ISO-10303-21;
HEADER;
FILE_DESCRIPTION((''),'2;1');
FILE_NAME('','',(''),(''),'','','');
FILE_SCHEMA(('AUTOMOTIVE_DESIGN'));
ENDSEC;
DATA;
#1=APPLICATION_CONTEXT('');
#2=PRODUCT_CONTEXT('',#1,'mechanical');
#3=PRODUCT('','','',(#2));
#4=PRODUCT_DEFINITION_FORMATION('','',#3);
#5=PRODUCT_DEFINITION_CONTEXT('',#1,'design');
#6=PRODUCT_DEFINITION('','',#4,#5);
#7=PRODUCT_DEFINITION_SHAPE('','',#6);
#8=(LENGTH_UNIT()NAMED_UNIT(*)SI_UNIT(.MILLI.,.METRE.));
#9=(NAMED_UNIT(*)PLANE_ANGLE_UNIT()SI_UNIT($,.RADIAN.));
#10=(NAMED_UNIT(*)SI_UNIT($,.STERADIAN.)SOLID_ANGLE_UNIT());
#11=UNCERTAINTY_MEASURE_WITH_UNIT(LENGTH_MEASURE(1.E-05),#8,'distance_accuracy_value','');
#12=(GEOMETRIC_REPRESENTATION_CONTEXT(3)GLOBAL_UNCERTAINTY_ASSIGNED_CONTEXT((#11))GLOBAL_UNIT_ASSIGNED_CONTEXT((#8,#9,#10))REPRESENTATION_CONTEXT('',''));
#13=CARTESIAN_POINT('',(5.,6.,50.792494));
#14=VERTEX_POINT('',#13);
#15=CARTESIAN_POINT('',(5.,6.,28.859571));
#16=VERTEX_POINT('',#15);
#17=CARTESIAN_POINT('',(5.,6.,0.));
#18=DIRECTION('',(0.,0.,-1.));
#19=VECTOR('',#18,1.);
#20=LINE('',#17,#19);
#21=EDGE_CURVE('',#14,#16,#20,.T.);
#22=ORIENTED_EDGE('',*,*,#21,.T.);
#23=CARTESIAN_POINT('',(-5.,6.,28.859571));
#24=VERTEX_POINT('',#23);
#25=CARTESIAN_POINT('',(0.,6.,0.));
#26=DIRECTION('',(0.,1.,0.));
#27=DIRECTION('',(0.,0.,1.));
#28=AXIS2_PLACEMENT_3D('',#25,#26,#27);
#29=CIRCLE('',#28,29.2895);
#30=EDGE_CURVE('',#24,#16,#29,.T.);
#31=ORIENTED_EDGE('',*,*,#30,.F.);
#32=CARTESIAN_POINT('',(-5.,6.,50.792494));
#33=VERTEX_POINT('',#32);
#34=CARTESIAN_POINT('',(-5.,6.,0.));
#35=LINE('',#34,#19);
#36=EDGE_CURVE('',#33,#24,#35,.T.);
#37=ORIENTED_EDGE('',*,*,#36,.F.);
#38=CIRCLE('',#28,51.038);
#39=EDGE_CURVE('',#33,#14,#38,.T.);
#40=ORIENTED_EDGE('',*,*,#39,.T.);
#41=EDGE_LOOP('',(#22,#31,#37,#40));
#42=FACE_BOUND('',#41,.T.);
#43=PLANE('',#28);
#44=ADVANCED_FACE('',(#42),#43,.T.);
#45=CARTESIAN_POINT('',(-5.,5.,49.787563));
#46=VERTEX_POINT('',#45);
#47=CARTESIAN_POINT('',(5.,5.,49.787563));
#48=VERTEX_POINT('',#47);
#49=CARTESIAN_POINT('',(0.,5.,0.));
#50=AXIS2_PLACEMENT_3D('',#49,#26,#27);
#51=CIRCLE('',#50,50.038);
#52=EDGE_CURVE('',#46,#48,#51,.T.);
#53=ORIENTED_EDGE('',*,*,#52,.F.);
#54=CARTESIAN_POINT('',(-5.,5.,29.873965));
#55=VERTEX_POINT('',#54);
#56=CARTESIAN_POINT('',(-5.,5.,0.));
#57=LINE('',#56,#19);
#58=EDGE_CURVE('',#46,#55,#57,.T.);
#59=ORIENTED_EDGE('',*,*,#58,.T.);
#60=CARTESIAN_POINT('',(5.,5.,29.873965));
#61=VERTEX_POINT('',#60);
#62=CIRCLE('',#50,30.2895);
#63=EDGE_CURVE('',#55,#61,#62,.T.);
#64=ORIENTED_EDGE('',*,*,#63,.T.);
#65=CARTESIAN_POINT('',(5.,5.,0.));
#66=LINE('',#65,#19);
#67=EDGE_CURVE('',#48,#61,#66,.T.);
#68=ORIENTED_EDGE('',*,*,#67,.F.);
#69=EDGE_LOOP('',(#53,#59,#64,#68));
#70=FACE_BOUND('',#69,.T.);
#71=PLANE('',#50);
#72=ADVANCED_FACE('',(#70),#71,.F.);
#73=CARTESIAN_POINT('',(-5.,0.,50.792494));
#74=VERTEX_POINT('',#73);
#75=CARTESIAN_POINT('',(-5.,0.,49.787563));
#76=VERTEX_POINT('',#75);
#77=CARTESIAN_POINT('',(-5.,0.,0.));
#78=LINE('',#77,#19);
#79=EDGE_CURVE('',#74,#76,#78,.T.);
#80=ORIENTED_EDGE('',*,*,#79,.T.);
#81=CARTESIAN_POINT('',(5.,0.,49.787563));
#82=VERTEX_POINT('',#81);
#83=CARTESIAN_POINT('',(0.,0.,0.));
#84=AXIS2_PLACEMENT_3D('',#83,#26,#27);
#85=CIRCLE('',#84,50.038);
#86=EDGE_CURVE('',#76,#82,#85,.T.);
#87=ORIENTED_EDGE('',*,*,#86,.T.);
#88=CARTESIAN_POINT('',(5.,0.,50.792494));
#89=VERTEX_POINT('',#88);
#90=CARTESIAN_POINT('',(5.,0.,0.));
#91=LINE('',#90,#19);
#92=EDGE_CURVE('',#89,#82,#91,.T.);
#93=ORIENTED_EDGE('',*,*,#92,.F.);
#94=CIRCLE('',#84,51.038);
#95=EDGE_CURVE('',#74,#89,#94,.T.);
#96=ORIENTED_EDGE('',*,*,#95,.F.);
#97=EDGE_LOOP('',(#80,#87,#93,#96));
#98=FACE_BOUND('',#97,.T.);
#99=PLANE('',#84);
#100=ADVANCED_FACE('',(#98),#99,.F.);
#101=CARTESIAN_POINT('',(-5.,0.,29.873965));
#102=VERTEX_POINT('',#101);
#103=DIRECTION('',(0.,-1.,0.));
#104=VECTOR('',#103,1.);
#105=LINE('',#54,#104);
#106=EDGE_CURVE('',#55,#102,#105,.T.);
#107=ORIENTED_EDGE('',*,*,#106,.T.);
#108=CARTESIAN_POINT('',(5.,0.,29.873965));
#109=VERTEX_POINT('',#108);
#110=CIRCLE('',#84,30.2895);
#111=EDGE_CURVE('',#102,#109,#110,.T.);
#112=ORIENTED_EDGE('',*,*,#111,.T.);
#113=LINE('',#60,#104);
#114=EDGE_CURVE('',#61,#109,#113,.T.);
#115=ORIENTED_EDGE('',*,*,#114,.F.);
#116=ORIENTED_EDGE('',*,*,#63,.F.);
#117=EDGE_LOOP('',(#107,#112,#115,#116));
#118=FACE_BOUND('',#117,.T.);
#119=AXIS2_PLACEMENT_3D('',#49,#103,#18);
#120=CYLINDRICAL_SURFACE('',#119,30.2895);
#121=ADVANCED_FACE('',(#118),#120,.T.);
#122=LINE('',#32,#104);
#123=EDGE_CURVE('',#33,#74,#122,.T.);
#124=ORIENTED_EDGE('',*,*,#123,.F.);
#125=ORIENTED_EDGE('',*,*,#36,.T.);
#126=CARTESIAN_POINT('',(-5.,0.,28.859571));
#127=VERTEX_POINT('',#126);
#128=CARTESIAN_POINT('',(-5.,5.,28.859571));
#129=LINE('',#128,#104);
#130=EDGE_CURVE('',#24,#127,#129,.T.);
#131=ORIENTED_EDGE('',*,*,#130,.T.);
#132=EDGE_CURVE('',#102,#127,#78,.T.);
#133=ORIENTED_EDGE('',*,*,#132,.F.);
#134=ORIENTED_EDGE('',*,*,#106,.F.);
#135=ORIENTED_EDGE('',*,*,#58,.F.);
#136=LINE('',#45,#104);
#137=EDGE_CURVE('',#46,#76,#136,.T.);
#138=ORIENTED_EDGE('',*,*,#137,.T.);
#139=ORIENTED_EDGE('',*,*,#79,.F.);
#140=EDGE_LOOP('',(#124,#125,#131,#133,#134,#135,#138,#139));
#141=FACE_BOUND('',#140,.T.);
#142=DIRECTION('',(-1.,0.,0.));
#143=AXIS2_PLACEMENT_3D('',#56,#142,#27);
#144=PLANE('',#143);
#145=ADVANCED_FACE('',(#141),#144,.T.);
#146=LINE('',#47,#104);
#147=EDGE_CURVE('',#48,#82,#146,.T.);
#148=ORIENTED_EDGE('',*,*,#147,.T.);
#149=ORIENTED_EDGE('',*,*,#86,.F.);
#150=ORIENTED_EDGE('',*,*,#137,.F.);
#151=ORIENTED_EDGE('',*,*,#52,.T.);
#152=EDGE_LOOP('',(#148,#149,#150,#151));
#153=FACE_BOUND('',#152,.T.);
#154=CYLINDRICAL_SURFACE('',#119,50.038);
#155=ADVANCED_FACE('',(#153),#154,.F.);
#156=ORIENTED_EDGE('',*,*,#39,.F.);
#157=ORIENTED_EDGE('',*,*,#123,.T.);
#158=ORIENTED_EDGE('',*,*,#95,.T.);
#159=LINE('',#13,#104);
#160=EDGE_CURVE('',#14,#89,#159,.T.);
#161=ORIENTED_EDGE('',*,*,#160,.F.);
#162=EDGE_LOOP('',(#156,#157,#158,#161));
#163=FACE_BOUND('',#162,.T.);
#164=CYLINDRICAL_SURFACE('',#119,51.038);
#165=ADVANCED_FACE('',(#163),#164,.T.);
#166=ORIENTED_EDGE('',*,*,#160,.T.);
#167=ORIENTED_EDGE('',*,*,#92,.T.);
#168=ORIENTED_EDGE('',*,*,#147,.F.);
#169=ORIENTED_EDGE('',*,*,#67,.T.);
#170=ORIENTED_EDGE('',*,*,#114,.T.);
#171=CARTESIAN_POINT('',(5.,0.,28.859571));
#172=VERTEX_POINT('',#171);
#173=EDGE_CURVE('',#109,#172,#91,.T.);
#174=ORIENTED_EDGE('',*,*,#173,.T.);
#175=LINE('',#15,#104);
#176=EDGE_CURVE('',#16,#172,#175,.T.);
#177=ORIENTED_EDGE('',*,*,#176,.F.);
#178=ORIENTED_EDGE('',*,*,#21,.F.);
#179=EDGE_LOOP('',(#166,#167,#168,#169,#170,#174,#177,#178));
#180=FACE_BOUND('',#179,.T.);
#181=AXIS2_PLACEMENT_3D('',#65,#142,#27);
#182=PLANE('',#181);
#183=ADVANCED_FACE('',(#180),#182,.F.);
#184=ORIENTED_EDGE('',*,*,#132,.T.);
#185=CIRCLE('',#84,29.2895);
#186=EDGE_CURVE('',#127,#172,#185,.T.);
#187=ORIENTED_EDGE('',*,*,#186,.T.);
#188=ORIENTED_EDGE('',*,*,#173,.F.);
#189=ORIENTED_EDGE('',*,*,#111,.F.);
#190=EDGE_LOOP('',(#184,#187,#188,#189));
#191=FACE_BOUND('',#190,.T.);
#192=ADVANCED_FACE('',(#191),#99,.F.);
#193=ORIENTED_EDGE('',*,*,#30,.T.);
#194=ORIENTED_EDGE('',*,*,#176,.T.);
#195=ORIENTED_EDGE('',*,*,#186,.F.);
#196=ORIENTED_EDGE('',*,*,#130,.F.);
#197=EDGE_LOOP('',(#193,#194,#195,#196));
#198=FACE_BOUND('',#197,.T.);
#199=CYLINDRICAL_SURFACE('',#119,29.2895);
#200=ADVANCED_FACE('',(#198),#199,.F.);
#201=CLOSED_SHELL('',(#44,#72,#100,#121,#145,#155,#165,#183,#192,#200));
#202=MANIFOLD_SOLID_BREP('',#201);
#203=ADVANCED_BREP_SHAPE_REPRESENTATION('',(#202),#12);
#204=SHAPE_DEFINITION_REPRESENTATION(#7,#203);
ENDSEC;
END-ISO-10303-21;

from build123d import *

# Parameters (mm, degrees)
BOSS_EXTRUDE1_DEPTH = 5
SHELL2_T            = 1


with BuildPart() as part:
    # Sketch1 → Boss-Extrude1 (new body)
    with BuildSketch(Plane(origin=(0, 0, 0), x_dir=(1, 0, 0), z_dir=(0, 1, 0))):
        with BuildLine():
            ThreePointArc((-5, -49.787563146), (0, -50.038), (5, -49.787563146))
            Line((5, -49.787563146), (5, -29.873965426))
            ThreePointArc((5, -29.873965426), (0, -30.2895), (-5, -29.873965426))
            Line((-5, -29.873965426), (-5, -49.787563146))
        make_face()
    extrude(amount=BOSS_EXTRUDE1_DEPTH)

    # Shell2
    shell2_openings = [part.faces().sort_by_distance(p)[0] for p in [
        (5, 2.5, 39.830764286),
        (-5, 2.5, 39.830764286),
        (0, 0, 40.052741683),
    ]]
    offset(amount=SHELL2_T, openings=shell2_openings, kind=Kind.INTERSECTION)


solid = part.part
